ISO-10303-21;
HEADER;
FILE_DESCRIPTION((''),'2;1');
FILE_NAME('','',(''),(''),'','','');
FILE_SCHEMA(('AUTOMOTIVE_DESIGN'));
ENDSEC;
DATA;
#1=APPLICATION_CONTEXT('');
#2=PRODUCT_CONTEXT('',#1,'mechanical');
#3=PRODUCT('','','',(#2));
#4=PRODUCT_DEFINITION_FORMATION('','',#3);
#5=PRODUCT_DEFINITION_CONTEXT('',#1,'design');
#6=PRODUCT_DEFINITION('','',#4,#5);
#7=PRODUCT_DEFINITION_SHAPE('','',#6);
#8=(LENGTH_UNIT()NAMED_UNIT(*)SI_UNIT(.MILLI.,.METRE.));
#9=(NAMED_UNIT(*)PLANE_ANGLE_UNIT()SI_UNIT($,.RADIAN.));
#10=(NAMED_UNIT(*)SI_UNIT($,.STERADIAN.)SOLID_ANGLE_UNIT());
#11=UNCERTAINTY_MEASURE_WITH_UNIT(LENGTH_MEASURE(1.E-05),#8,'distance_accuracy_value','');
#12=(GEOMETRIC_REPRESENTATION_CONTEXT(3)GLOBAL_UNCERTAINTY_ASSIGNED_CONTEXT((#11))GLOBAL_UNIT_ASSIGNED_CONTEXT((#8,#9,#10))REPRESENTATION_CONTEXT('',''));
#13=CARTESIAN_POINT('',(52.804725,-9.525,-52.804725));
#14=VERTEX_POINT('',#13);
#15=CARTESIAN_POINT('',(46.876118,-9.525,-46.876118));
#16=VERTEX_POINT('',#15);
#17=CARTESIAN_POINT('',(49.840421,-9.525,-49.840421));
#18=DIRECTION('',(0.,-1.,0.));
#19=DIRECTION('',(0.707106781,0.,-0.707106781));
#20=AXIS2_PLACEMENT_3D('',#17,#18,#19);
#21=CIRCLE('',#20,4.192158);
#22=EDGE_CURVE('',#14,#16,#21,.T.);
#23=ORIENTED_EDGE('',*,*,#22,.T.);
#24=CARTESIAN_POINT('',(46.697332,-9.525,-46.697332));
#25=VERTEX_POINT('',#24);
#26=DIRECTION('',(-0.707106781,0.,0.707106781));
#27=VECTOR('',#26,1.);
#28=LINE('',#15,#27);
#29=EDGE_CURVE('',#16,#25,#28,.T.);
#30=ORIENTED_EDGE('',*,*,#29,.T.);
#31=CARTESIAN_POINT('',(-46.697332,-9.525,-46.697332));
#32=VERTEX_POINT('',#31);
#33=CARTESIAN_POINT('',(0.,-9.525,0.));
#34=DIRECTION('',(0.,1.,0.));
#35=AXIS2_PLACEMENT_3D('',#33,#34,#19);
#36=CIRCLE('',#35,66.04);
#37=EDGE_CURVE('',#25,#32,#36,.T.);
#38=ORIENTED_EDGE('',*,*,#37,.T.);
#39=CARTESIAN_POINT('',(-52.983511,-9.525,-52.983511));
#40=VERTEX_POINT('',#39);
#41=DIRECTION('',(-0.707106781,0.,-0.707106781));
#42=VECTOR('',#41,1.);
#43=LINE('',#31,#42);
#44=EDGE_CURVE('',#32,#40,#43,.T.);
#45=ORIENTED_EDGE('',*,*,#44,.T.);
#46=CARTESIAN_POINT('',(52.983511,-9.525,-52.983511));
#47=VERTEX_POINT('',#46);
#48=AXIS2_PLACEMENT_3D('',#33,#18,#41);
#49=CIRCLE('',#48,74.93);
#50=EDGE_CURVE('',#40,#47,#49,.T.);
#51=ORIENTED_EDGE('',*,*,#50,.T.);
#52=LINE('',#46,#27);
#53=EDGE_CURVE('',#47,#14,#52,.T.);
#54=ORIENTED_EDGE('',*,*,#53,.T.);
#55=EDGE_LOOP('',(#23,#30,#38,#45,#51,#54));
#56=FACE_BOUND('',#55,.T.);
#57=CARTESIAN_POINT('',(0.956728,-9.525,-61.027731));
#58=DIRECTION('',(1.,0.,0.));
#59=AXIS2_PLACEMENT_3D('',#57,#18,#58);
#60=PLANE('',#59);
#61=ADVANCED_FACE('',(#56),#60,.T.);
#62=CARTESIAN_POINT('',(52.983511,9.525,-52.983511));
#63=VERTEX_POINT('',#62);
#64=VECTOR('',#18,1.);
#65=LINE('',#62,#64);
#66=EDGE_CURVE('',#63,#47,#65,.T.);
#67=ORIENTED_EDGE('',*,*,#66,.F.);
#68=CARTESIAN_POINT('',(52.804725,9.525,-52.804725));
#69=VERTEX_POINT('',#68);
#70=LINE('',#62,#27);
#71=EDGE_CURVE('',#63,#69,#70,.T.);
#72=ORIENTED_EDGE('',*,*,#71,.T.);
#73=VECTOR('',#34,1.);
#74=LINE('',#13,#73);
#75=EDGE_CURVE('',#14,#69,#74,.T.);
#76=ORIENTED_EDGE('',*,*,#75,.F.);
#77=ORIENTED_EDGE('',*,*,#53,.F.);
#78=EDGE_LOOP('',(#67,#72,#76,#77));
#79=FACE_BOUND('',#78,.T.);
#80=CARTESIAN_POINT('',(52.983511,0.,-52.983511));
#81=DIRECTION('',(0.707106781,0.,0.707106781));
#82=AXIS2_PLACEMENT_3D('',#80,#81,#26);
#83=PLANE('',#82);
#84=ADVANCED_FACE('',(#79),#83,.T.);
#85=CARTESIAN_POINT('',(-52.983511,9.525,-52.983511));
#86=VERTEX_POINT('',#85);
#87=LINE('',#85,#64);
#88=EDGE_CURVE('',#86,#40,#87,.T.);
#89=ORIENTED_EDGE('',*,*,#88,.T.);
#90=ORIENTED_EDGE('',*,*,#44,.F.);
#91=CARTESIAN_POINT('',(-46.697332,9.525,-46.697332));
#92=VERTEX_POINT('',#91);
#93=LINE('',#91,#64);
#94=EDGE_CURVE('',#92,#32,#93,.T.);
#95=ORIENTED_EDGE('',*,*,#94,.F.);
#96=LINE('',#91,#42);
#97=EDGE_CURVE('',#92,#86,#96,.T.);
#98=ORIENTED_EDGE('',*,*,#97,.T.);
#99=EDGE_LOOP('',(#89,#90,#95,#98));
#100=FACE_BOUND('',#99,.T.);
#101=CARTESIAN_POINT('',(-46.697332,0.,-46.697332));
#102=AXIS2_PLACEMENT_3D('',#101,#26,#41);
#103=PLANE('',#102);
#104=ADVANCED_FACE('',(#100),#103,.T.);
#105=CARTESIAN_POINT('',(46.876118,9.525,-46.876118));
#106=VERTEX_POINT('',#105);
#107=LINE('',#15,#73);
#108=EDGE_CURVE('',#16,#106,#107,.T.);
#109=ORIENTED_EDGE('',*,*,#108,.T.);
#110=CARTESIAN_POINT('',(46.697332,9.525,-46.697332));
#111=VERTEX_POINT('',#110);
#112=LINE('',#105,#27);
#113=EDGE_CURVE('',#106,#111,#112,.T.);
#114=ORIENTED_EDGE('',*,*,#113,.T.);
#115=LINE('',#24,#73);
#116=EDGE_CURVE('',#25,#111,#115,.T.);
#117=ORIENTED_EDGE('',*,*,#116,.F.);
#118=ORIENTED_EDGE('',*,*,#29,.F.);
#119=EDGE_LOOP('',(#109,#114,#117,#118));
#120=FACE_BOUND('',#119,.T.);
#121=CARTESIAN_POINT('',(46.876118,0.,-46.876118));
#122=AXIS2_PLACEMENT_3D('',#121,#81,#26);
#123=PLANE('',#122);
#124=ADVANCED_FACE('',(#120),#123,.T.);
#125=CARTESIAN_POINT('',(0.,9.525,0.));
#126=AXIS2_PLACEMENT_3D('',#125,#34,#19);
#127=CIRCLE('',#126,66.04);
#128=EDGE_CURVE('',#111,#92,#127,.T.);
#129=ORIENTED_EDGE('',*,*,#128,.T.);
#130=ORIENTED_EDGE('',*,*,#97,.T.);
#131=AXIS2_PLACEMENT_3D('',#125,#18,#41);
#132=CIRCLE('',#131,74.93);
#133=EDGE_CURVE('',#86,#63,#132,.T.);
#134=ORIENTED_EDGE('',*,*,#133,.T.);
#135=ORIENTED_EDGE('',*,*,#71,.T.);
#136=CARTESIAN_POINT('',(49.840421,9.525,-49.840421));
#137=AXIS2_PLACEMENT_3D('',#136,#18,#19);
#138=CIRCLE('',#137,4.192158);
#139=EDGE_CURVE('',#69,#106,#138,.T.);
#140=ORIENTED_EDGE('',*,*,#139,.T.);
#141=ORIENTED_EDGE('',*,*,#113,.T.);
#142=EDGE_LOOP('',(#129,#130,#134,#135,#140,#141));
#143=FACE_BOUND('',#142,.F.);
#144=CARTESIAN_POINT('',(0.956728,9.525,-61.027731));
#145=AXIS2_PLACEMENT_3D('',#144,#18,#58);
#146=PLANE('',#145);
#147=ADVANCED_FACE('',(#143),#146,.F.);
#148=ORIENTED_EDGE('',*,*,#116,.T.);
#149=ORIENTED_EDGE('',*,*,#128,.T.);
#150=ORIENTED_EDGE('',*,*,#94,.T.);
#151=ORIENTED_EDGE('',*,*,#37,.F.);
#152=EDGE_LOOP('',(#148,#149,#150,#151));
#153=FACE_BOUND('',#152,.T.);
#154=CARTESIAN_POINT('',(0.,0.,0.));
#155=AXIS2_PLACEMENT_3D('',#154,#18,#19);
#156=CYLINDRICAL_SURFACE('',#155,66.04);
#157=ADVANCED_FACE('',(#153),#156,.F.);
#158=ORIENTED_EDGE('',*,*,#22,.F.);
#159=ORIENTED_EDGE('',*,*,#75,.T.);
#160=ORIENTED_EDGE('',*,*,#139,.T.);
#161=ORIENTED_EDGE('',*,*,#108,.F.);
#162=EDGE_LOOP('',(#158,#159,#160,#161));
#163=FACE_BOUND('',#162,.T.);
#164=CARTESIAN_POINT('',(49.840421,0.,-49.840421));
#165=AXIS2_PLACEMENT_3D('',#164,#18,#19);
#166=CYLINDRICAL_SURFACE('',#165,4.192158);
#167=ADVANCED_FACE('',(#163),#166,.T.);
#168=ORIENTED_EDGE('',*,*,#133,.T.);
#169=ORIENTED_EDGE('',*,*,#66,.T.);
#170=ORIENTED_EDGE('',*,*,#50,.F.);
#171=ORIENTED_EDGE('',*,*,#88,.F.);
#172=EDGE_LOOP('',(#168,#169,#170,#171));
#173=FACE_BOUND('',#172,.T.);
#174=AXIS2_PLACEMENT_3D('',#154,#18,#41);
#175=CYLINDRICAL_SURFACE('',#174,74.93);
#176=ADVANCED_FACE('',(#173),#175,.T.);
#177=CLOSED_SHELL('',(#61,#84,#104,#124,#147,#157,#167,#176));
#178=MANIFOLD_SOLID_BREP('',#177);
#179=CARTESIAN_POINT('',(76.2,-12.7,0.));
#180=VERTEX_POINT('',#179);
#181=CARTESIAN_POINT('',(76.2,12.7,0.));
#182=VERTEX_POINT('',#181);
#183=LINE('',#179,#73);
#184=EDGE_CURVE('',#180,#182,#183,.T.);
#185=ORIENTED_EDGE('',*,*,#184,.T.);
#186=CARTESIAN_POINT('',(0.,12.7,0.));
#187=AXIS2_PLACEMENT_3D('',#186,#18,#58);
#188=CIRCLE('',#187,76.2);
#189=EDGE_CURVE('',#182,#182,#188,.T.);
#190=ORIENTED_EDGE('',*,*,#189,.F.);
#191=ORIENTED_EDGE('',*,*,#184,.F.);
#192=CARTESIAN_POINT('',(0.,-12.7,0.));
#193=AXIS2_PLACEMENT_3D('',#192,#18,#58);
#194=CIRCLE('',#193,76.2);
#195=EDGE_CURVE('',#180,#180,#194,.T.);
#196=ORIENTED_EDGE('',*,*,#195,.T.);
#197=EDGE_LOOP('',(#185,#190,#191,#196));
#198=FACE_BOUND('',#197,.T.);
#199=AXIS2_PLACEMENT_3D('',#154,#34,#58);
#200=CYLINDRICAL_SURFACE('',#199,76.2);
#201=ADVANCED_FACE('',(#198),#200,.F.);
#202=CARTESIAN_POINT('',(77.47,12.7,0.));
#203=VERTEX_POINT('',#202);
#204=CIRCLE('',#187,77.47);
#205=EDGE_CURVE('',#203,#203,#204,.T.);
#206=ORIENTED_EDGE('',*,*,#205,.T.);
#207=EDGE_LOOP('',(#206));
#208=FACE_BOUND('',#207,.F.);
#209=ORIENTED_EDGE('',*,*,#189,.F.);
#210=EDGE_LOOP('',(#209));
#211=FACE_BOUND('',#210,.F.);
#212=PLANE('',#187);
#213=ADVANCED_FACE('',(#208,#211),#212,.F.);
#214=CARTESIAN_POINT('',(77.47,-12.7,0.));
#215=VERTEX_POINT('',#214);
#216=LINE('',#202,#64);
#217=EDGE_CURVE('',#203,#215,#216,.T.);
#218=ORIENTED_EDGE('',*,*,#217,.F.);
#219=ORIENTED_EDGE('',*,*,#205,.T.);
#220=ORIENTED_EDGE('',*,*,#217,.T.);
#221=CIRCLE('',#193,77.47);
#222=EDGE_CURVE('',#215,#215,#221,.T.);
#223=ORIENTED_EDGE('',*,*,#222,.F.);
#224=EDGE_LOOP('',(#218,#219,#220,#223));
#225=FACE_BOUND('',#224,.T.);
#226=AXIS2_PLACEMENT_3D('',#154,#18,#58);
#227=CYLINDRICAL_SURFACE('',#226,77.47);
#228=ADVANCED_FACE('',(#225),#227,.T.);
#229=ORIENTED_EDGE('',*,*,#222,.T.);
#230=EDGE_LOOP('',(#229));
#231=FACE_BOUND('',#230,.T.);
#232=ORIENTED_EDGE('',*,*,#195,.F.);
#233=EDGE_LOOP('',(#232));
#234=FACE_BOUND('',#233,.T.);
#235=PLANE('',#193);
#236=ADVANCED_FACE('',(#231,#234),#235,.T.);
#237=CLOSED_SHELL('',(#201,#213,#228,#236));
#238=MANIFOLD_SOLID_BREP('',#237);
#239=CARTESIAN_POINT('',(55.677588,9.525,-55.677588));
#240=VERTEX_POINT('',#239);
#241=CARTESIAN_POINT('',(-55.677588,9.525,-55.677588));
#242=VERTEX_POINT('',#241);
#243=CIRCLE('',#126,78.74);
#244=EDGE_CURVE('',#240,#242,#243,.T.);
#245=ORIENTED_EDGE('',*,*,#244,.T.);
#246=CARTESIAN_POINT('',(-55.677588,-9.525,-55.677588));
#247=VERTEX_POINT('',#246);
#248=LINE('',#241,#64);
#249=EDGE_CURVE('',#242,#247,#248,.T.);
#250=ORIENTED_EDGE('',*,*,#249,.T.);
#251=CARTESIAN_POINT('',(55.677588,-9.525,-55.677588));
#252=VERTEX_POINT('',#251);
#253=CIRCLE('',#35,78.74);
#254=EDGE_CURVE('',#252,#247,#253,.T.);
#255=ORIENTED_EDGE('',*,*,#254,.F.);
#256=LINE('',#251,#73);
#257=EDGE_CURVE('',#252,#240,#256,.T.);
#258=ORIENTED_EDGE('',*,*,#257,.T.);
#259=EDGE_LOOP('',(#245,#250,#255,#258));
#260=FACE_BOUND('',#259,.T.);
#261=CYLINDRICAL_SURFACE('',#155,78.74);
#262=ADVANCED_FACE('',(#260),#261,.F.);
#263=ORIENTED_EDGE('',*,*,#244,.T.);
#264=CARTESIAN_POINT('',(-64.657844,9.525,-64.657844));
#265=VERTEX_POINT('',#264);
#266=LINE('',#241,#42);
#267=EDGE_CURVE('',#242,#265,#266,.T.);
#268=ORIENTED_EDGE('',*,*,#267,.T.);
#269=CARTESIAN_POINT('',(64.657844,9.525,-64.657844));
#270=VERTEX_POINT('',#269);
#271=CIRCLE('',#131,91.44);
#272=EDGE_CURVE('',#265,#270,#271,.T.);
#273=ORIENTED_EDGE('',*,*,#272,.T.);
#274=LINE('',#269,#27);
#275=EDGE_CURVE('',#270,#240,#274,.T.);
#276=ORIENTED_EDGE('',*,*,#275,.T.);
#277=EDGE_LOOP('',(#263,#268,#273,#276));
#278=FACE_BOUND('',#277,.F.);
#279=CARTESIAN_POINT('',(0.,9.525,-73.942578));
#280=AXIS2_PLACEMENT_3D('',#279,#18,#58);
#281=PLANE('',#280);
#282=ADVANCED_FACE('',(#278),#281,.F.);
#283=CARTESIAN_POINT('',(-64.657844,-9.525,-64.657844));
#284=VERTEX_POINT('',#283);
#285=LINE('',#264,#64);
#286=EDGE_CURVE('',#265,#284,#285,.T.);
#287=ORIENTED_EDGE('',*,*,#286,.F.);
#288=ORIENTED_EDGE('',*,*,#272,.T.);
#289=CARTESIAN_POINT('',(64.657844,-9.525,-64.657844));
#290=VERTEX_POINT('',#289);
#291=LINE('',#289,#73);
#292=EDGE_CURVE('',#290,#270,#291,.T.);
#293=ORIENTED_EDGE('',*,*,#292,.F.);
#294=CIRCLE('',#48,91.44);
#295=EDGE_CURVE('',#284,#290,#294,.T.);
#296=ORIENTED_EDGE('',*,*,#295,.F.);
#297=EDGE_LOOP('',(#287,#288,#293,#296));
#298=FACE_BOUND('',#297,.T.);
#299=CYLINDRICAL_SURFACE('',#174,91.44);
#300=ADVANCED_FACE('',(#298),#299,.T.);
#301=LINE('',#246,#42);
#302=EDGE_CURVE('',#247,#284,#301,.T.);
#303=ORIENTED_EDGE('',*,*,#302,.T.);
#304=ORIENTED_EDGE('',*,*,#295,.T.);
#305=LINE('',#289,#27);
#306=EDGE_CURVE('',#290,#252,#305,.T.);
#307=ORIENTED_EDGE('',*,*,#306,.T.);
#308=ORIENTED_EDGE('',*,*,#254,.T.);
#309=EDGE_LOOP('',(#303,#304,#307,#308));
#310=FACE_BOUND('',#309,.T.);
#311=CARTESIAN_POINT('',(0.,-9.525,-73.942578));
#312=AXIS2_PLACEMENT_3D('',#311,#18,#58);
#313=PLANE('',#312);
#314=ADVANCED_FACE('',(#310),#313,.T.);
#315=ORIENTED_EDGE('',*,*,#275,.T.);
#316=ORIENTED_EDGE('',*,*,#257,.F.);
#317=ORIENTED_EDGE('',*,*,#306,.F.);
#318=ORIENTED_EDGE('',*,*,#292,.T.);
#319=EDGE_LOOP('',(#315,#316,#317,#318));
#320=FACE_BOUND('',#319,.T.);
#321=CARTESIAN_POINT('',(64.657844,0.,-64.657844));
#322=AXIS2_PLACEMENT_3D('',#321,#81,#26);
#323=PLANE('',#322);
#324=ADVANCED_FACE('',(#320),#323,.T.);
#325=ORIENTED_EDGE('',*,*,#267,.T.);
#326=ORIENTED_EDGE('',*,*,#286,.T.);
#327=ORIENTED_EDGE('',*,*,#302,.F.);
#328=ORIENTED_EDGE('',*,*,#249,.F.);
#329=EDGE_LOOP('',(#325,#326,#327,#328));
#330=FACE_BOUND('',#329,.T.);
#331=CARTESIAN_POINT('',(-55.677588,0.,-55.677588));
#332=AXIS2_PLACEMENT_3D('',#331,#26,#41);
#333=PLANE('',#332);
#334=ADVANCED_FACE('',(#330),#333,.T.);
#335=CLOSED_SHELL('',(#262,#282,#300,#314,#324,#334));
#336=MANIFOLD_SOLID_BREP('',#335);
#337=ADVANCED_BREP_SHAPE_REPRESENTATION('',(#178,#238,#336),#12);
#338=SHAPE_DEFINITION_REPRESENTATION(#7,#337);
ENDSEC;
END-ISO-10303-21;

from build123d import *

# Parameters (mm, degrees)
F0_R     = 77.47
F0_R_2   = 76.2
F1_DEPTH = 12.7
F3_DEPTH = 9.525


with BuildPart() as f1:
    # F0 (on Front) → F1 (new body, symmetric)
    with BuildSketch(Plane.XZ):
        Circle(F0_R)
        Circle(F0_R_2, mode=Mode.SUBTRACT)
    extrude(amount=F1_DEPTH, both=True)


with BuildPart() as f3:
    # F2 (on Front) → F3 (new body, symmetric)
    with BuildSketch(Plane.XZ):
        with BuildLine():
            ThreePointArc((46.6973318296, -46.6973318296), (0, -66.04), (-46.6973318296, -46.6973318296))
            Line((-46.6973318296, -46.6973318296), (-52.9835111143, -52.9835111143))
            ThreePointArc((-52.9835111143, -52.9835111143), (0, -74.93), (52.9835111143, -52.9835111143))
            Line((52.9835111143, -52.9835111143), (52.804724794, -52.804724794))
            ThreePointArc((52.804724794, -52.804724794), (52.804724794, -46.8761181498), (46.8761181498, -46.8761181498))
            Line((46.8761181498, -46.8761181498), (46.6973318296, -46.6973318296))
        make_face()
    extrude(amount=F3_DEPTH, both=True)


with BuildPart() as f3b:
    # F2 (on Front) → F3, piece 2 (new body, symmetric)
    with BuildSketch(Plane.XZ):
        with BuildLine():
            ThreePointArc((55.6775879506, -55.6775879506), (0, -78.74), (-55.6775879506, -55.6775879506))
            Line((-55.6775879506, -55.6775879506), (-64.6578440717, -64.6578440717))
            ThreePointArc((-64.6578440717, -64.6578440717), (0, -91.44), (64.6578440717, -64.6578440717))
            Line((64.6578440717, -64.6578440717), (55.6775879506, -55.6775879506))
        make_face()
    extrude(amount=F3_DEPTH, both=True)


solid = Compound([f1.part, f3.part, f3b.part])
